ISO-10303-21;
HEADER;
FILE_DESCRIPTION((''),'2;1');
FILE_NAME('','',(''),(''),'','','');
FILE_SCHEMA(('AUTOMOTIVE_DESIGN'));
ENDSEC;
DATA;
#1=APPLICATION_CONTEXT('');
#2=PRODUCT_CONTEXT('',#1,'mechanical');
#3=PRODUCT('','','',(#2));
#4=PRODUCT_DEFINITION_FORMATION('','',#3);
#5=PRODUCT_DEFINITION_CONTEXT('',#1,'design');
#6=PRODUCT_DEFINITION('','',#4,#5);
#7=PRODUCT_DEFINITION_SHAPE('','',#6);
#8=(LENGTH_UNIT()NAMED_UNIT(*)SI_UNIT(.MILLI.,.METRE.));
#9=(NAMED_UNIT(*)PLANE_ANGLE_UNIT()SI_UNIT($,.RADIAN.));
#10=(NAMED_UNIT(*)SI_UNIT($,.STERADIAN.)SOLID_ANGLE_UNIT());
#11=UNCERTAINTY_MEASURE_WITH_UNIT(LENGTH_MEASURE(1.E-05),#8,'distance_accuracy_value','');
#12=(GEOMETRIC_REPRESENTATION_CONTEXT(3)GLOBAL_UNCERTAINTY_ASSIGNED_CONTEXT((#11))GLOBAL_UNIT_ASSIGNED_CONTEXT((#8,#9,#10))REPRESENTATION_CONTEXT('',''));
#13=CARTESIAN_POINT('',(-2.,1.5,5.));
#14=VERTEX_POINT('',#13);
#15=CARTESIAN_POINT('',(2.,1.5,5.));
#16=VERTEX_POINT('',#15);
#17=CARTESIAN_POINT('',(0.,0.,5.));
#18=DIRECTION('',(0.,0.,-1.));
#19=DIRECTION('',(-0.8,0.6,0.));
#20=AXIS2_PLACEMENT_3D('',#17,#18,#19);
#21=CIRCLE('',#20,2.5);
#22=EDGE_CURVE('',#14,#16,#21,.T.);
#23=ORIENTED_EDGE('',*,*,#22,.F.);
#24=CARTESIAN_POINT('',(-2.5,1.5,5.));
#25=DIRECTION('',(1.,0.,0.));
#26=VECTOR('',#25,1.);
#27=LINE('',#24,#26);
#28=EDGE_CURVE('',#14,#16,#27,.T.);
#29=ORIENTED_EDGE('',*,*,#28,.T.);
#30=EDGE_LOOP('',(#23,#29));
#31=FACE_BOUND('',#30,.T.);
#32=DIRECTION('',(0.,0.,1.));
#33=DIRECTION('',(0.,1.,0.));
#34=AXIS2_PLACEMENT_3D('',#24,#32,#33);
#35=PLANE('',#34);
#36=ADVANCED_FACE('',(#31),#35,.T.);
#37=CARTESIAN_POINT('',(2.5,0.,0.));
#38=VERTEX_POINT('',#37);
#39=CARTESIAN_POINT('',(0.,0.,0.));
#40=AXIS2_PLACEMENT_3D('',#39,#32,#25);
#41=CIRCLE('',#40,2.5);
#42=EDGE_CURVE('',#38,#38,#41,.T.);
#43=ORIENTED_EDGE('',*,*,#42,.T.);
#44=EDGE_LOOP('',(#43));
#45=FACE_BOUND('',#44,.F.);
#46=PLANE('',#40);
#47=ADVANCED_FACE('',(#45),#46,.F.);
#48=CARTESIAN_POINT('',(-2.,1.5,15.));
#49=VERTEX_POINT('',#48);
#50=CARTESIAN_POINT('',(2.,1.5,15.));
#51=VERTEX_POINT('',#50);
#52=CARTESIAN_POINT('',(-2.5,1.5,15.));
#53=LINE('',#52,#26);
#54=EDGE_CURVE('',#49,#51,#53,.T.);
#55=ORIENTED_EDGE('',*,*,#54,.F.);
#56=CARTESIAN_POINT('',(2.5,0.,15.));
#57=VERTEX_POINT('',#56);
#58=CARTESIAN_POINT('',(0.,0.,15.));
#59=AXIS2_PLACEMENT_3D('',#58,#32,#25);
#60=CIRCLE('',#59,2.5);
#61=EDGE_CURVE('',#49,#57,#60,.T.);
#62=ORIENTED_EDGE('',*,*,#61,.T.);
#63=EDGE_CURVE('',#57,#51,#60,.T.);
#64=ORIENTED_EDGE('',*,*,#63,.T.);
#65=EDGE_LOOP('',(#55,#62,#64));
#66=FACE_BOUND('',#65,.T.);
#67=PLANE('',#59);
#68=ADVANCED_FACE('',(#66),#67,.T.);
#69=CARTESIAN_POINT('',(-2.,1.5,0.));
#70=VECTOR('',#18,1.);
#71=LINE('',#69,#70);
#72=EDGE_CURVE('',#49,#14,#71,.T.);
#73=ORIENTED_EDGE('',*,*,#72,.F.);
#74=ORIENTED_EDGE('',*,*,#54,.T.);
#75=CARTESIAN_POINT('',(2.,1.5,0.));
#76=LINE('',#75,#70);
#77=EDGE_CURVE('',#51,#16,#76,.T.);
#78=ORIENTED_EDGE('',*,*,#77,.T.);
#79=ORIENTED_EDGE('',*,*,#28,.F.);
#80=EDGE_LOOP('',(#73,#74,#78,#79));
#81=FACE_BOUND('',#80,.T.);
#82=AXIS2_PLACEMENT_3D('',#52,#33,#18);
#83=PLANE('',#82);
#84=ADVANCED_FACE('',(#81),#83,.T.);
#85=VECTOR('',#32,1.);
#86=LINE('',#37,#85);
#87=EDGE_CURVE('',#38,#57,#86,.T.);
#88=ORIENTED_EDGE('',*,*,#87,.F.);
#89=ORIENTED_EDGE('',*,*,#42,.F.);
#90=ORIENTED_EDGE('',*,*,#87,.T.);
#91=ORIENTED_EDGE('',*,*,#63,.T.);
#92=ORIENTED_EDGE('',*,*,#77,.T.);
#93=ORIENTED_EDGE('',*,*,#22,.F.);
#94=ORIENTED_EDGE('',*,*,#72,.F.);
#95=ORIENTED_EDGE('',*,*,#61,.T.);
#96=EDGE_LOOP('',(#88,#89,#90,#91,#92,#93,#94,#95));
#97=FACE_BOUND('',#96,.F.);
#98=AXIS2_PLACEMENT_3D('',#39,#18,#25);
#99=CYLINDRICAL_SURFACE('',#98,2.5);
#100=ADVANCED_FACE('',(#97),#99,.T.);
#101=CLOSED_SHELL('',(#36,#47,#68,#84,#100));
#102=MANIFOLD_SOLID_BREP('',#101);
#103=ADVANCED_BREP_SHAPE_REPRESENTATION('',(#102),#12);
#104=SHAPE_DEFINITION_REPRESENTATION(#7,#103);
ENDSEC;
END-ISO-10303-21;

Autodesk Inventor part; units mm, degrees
ref_plane "XZ Plane" through (0, 0, 0) normal (0, 1, 0) x (-1, 0, 0)
ref_plane "XY Plane" through (0, 0, 0) normal (0, 0, 1) x (1, 0, 0)
sketch "Sketch1" plane through (0, 0, 0) normal (0, 0, 1) x (1, 0, 0)
  circle A0 centre (0, 0) radius 2.5
  dimension "d0" = 5
extrude "Extrusion1" add sketch "Sketch1" along normal blind 15
ref_plane "Work Plane2" through (-2.5, 0, 0) normal (1, 0, 0) x (0, 1, 0)
sketch "Sketch2" plane through (-2.5, 0, 0) normal (1, 0, 0) x (0, 1, 0)
  line L0 (2.5, 15) -> (-2.5, 15) projected
  line L1 (2.5, 15) -> (-2.5, 15) projected
  line L2 (-2.5, 0) -> (2.5, 0) projected
  line L3 (2.5, 0) -> (2.5, 15) projected
  line L4 (2.5, 15) -> (1.5, 15)
  line L5 (1.5, 15) -> (1.5, 5)
  line L6 (1.5, 5) -> (2.5, 5)
  line L7 (2.5, 5) -> (2.5, 15)
  point P0 (0, 0)
  dimension "d5" = 1
  dimension "d6" = 10
extrude "Extrusion2" cut sketch "Sketch2" along normal through all
properties part number "Belt encoder shaft" material "Steel"
